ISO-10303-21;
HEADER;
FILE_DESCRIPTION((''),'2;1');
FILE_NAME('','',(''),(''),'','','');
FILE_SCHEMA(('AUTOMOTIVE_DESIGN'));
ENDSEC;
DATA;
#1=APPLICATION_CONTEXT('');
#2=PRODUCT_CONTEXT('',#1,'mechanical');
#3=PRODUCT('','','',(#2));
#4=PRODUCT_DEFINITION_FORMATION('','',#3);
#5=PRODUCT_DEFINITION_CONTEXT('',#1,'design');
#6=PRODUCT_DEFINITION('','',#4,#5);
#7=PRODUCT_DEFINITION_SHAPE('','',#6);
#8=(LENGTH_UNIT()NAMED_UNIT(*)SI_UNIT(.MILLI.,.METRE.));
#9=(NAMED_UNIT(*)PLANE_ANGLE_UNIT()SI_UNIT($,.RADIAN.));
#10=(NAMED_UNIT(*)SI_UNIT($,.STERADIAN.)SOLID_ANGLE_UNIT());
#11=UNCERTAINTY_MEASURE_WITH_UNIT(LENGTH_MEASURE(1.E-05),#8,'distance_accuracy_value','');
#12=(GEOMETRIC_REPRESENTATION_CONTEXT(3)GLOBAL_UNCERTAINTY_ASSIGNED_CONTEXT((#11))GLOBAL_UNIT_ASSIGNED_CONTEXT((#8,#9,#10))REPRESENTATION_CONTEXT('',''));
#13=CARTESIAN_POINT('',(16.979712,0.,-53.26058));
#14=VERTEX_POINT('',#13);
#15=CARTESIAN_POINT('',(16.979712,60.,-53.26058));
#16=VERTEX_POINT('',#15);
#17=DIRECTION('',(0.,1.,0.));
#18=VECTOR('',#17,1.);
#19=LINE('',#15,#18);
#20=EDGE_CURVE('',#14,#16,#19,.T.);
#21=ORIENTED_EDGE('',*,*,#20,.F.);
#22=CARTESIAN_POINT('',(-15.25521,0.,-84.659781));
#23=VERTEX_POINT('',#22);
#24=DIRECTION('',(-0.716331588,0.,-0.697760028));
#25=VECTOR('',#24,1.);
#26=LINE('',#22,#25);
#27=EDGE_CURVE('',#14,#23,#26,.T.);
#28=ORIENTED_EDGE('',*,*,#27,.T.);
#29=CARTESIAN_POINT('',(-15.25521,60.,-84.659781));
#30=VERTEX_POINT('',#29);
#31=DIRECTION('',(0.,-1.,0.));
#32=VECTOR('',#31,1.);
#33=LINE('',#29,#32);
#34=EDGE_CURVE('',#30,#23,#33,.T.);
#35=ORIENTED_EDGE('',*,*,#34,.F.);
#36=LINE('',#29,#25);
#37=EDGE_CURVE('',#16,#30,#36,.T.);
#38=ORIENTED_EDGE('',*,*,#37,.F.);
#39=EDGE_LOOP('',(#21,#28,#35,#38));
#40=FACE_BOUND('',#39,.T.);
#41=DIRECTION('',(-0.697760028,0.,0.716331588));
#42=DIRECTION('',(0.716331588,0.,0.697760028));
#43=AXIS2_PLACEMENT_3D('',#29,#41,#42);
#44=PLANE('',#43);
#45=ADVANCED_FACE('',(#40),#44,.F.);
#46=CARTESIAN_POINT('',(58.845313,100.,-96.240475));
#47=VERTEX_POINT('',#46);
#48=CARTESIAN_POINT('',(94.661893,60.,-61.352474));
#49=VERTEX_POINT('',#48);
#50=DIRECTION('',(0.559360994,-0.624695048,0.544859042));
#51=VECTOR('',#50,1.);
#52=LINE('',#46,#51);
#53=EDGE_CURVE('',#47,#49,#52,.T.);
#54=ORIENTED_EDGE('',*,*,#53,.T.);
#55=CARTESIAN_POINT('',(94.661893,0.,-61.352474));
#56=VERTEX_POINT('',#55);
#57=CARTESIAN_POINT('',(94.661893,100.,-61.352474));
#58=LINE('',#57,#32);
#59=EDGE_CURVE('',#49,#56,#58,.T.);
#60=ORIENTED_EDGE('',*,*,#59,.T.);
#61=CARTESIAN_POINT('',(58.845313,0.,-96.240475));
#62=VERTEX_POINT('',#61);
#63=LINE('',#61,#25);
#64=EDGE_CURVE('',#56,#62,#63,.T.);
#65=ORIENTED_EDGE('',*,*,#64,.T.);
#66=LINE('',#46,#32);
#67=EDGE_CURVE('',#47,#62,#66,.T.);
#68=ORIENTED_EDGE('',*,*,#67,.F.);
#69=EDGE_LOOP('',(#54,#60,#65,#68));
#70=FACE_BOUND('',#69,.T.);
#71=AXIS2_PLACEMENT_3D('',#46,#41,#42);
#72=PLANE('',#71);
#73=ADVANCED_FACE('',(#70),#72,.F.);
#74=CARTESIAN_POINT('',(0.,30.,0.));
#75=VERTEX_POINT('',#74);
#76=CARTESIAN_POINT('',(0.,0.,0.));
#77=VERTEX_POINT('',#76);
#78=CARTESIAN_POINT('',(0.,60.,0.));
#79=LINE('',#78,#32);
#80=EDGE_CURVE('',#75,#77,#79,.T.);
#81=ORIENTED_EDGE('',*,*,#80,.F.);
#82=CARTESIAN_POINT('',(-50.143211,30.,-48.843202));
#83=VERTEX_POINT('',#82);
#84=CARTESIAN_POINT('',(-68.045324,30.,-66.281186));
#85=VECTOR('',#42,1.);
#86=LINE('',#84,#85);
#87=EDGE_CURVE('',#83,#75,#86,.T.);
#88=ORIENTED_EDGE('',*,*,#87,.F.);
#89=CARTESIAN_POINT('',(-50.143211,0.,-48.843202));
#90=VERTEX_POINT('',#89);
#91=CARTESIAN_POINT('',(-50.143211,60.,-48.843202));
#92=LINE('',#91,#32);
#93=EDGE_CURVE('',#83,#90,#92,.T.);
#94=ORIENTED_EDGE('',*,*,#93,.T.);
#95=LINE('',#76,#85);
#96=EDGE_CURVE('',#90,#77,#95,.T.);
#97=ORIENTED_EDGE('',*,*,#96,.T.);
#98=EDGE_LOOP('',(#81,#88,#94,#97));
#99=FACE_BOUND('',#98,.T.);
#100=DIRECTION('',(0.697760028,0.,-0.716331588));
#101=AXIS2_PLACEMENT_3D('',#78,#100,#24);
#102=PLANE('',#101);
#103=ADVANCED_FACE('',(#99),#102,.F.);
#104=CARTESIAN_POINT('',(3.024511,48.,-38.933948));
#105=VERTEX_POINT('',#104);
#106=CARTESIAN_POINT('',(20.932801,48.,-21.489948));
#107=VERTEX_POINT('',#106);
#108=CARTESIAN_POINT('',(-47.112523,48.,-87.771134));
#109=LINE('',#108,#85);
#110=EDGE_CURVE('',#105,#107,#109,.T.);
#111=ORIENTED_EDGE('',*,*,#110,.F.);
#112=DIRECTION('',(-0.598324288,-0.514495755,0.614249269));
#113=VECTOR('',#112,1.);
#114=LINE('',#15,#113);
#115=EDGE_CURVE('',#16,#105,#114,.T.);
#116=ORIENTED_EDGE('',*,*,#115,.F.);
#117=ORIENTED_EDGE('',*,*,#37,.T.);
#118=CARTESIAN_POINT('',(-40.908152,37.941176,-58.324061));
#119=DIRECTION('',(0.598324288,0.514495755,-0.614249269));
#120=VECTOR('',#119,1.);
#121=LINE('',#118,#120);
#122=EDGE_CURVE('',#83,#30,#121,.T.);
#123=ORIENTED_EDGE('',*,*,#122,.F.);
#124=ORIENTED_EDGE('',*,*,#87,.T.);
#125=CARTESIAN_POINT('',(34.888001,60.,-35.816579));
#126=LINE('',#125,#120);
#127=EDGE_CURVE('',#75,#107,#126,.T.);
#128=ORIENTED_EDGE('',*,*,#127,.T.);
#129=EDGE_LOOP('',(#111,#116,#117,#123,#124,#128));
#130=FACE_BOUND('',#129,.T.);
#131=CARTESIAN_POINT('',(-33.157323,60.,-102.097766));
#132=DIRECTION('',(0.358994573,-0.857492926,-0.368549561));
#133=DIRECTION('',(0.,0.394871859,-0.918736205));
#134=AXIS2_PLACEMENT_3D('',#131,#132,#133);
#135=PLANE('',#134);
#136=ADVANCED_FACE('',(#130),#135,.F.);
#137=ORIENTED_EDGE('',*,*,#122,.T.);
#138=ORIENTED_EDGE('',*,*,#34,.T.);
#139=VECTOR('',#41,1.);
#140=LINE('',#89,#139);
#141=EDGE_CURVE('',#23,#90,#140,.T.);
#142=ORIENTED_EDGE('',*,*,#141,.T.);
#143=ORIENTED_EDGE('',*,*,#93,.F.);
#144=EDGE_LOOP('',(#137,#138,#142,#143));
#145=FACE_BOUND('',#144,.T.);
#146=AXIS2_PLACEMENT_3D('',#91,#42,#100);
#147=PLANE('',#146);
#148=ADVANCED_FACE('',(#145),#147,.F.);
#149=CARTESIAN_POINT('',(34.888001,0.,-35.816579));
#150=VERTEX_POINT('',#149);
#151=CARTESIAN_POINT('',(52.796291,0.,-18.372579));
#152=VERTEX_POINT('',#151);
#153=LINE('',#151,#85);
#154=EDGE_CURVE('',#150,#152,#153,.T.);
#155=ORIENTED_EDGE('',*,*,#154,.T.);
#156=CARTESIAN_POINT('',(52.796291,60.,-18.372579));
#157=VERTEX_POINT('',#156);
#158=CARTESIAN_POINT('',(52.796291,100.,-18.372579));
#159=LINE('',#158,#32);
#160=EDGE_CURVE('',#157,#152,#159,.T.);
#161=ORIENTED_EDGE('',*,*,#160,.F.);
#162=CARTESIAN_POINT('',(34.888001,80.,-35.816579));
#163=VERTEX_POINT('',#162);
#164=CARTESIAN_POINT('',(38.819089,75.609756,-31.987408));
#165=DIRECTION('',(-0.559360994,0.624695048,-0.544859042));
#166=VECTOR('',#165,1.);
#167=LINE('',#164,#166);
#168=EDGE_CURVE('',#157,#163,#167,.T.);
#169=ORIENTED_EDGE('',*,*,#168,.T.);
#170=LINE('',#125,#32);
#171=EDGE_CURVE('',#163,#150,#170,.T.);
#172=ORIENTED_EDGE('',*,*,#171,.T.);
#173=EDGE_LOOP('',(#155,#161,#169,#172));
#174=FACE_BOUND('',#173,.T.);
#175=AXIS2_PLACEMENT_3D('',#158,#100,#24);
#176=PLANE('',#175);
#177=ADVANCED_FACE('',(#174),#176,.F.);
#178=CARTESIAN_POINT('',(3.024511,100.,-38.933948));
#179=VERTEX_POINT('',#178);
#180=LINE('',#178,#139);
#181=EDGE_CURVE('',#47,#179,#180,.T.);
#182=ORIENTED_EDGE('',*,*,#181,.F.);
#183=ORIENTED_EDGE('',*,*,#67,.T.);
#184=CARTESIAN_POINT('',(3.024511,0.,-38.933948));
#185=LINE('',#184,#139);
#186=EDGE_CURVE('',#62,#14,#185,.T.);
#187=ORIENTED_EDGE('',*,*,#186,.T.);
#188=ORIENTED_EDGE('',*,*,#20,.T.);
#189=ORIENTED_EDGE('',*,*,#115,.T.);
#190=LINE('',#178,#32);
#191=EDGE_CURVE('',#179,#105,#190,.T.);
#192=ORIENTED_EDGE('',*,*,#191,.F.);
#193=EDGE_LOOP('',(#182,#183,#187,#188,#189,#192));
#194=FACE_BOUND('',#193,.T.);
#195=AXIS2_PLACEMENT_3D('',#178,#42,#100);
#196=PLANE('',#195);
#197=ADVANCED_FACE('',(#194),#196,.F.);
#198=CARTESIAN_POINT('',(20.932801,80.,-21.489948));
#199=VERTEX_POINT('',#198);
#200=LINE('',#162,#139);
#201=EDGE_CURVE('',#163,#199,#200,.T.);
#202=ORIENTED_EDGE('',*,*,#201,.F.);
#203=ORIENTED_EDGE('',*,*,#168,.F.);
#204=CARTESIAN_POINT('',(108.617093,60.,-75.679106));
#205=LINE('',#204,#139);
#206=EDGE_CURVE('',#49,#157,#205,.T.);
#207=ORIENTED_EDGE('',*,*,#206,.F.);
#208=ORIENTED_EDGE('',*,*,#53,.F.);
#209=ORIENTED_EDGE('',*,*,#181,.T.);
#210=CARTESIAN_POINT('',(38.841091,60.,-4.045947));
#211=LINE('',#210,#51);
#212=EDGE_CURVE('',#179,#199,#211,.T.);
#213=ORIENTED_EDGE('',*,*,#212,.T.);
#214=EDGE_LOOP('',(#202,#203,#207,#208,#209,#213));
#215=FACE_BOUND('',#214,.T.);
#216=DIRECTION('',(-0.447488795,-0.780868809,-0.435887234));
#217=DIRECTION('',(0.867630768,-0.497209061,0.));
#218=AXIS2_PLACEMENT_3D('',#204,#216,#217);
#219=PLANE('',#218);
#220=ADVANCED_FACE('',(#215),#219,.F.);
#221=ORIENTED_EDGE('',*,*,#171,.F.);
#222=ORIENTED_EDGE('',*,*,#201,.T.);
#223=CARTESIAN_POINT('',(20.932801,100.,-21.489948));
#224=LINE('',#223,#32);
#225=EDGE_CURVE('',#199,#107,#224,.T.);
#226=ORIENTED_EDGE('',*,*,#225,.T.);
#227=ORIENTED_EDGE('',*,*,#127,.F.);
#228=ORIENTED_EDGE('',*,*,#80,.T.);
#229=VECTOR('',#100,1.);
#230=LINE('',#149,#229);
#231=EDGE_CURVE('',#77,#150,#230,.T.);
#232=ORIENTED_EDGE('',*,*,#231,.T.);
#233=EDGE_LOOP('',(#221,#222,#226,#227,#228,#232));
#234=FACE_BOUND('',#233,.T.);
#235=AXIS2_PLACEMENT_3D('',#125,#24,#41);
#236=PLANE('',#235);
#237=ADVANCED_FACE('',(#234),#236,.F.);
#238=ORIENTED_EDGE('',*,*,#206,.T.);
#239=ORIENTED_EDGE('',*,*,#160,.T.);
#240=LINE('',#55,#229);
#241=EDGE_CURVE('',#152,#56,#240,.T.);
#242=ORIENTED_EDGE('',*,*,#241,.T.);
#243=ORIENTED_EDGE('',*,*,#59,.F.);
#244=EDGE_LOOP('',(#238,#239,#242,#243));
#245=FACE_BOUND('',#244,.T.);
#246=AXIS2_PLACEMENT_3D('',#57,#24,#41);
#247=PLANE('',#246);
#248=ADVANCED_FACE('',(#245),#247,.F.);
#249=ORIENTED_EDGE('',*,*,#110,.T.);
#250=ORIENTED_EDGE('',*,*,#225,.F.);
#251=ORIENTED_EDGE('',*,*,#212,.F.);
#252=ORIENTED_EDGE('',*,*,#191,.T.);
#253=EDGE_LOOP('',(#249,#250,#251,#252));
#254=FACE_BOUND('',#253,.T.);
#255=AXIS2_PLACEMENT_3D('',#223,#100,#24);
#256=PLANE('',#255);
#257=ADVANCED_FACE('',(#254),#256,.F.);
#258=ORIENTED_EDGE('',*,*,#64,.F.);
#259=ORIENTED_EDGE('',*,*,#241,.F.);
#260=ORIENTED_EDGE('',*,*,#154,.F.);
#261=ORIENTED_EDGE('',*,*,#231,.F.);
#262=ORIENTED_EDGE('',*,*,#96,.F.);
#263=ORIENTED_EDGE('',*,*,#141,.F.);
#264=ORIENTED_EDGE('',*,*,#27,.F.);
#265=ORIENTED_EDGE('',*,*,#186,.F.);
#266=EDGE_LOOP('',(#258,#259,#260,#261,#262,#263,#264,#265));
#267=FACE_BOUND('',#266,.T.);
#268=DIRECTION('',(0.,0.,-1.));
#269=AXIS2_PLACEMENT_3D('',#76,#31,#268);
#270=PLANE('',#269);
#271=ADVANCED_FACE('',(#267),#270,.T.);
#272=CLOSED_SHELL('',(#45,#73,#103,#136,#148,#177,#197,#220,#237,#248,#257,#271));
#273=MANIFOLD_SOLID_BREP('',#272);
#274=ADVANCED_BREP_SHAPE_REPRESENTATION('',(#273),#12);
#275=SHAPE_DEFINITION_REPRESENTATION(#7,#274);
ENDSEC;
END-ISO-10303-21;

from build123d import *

# Parameters (mm, degrees)
EXTRUDE1_DEPTH = 60
EXTRUDE2_DEPTH = 95.991377429
EXTRUDE3_DEPTH = 100
EXTRUDE4_DEPTH = 100


with BuildPart() as part:
    # Sketch1 → Extrude1 (new body)
    with BuildSketch(Plane(origin=(0, 0, 0), x_dir=(1, 0, 0), z_dir=(0, 1, 0))):
        Polygon((0, 0), (-50.143211133, 48.843201956), (-15.255209736, 84.659781336), (34.888001397, 35.816579381), align=None)
    extrude(amount=EXTRUDE1_DEPTH)

    # Sketch2 → Extrude2 (cut, through all)
    with BuildSketch(Plane(origin=(0, 0, 0), x_dir=(0.697760028, 0, -0.716331588), z_dir=(0.716331588, 0, 0.697760028))):
        Polygon((50, 60), (0, 30), (0, 60), align=None)
    extrude(amount=-EXTRUDE2_DEPTH, mode=Mode.SUBTRACT)

    # Sketch3 → Extrude3 (add)
    with BuildSketch(Plane(origin=(0, 0, 0), x_dir=(1, 0, 0), z_dir=(0, 1, 0))):
        Polygon((20.932800838, 21.489947628), (3.024511148, 38.933948327), (58.845313383, 96.240475336), (94.661892763, 61.352473939), (52.796291087, 18.372578682), (34.888001397, 35.816579381), align=None)
    extrude(amount=EXTRUDE3_DEPTH)

    # Sketch4 → Extrude4 (cut)
    with BuildSketch(Plane(origin=(20.932800838, 0, -21.489947628), x_dir=(0.716331588, 0, 0.697760028), z_dir=(-0.697760028, 0, 0.716331588))):
        Polygon((25, 60), (-25, 100), (25, 100), align=None)
    extrude(amount=-EXTRUDE4_DEPTH, mode=Mode.SUBTRACT)


solid = part.part
